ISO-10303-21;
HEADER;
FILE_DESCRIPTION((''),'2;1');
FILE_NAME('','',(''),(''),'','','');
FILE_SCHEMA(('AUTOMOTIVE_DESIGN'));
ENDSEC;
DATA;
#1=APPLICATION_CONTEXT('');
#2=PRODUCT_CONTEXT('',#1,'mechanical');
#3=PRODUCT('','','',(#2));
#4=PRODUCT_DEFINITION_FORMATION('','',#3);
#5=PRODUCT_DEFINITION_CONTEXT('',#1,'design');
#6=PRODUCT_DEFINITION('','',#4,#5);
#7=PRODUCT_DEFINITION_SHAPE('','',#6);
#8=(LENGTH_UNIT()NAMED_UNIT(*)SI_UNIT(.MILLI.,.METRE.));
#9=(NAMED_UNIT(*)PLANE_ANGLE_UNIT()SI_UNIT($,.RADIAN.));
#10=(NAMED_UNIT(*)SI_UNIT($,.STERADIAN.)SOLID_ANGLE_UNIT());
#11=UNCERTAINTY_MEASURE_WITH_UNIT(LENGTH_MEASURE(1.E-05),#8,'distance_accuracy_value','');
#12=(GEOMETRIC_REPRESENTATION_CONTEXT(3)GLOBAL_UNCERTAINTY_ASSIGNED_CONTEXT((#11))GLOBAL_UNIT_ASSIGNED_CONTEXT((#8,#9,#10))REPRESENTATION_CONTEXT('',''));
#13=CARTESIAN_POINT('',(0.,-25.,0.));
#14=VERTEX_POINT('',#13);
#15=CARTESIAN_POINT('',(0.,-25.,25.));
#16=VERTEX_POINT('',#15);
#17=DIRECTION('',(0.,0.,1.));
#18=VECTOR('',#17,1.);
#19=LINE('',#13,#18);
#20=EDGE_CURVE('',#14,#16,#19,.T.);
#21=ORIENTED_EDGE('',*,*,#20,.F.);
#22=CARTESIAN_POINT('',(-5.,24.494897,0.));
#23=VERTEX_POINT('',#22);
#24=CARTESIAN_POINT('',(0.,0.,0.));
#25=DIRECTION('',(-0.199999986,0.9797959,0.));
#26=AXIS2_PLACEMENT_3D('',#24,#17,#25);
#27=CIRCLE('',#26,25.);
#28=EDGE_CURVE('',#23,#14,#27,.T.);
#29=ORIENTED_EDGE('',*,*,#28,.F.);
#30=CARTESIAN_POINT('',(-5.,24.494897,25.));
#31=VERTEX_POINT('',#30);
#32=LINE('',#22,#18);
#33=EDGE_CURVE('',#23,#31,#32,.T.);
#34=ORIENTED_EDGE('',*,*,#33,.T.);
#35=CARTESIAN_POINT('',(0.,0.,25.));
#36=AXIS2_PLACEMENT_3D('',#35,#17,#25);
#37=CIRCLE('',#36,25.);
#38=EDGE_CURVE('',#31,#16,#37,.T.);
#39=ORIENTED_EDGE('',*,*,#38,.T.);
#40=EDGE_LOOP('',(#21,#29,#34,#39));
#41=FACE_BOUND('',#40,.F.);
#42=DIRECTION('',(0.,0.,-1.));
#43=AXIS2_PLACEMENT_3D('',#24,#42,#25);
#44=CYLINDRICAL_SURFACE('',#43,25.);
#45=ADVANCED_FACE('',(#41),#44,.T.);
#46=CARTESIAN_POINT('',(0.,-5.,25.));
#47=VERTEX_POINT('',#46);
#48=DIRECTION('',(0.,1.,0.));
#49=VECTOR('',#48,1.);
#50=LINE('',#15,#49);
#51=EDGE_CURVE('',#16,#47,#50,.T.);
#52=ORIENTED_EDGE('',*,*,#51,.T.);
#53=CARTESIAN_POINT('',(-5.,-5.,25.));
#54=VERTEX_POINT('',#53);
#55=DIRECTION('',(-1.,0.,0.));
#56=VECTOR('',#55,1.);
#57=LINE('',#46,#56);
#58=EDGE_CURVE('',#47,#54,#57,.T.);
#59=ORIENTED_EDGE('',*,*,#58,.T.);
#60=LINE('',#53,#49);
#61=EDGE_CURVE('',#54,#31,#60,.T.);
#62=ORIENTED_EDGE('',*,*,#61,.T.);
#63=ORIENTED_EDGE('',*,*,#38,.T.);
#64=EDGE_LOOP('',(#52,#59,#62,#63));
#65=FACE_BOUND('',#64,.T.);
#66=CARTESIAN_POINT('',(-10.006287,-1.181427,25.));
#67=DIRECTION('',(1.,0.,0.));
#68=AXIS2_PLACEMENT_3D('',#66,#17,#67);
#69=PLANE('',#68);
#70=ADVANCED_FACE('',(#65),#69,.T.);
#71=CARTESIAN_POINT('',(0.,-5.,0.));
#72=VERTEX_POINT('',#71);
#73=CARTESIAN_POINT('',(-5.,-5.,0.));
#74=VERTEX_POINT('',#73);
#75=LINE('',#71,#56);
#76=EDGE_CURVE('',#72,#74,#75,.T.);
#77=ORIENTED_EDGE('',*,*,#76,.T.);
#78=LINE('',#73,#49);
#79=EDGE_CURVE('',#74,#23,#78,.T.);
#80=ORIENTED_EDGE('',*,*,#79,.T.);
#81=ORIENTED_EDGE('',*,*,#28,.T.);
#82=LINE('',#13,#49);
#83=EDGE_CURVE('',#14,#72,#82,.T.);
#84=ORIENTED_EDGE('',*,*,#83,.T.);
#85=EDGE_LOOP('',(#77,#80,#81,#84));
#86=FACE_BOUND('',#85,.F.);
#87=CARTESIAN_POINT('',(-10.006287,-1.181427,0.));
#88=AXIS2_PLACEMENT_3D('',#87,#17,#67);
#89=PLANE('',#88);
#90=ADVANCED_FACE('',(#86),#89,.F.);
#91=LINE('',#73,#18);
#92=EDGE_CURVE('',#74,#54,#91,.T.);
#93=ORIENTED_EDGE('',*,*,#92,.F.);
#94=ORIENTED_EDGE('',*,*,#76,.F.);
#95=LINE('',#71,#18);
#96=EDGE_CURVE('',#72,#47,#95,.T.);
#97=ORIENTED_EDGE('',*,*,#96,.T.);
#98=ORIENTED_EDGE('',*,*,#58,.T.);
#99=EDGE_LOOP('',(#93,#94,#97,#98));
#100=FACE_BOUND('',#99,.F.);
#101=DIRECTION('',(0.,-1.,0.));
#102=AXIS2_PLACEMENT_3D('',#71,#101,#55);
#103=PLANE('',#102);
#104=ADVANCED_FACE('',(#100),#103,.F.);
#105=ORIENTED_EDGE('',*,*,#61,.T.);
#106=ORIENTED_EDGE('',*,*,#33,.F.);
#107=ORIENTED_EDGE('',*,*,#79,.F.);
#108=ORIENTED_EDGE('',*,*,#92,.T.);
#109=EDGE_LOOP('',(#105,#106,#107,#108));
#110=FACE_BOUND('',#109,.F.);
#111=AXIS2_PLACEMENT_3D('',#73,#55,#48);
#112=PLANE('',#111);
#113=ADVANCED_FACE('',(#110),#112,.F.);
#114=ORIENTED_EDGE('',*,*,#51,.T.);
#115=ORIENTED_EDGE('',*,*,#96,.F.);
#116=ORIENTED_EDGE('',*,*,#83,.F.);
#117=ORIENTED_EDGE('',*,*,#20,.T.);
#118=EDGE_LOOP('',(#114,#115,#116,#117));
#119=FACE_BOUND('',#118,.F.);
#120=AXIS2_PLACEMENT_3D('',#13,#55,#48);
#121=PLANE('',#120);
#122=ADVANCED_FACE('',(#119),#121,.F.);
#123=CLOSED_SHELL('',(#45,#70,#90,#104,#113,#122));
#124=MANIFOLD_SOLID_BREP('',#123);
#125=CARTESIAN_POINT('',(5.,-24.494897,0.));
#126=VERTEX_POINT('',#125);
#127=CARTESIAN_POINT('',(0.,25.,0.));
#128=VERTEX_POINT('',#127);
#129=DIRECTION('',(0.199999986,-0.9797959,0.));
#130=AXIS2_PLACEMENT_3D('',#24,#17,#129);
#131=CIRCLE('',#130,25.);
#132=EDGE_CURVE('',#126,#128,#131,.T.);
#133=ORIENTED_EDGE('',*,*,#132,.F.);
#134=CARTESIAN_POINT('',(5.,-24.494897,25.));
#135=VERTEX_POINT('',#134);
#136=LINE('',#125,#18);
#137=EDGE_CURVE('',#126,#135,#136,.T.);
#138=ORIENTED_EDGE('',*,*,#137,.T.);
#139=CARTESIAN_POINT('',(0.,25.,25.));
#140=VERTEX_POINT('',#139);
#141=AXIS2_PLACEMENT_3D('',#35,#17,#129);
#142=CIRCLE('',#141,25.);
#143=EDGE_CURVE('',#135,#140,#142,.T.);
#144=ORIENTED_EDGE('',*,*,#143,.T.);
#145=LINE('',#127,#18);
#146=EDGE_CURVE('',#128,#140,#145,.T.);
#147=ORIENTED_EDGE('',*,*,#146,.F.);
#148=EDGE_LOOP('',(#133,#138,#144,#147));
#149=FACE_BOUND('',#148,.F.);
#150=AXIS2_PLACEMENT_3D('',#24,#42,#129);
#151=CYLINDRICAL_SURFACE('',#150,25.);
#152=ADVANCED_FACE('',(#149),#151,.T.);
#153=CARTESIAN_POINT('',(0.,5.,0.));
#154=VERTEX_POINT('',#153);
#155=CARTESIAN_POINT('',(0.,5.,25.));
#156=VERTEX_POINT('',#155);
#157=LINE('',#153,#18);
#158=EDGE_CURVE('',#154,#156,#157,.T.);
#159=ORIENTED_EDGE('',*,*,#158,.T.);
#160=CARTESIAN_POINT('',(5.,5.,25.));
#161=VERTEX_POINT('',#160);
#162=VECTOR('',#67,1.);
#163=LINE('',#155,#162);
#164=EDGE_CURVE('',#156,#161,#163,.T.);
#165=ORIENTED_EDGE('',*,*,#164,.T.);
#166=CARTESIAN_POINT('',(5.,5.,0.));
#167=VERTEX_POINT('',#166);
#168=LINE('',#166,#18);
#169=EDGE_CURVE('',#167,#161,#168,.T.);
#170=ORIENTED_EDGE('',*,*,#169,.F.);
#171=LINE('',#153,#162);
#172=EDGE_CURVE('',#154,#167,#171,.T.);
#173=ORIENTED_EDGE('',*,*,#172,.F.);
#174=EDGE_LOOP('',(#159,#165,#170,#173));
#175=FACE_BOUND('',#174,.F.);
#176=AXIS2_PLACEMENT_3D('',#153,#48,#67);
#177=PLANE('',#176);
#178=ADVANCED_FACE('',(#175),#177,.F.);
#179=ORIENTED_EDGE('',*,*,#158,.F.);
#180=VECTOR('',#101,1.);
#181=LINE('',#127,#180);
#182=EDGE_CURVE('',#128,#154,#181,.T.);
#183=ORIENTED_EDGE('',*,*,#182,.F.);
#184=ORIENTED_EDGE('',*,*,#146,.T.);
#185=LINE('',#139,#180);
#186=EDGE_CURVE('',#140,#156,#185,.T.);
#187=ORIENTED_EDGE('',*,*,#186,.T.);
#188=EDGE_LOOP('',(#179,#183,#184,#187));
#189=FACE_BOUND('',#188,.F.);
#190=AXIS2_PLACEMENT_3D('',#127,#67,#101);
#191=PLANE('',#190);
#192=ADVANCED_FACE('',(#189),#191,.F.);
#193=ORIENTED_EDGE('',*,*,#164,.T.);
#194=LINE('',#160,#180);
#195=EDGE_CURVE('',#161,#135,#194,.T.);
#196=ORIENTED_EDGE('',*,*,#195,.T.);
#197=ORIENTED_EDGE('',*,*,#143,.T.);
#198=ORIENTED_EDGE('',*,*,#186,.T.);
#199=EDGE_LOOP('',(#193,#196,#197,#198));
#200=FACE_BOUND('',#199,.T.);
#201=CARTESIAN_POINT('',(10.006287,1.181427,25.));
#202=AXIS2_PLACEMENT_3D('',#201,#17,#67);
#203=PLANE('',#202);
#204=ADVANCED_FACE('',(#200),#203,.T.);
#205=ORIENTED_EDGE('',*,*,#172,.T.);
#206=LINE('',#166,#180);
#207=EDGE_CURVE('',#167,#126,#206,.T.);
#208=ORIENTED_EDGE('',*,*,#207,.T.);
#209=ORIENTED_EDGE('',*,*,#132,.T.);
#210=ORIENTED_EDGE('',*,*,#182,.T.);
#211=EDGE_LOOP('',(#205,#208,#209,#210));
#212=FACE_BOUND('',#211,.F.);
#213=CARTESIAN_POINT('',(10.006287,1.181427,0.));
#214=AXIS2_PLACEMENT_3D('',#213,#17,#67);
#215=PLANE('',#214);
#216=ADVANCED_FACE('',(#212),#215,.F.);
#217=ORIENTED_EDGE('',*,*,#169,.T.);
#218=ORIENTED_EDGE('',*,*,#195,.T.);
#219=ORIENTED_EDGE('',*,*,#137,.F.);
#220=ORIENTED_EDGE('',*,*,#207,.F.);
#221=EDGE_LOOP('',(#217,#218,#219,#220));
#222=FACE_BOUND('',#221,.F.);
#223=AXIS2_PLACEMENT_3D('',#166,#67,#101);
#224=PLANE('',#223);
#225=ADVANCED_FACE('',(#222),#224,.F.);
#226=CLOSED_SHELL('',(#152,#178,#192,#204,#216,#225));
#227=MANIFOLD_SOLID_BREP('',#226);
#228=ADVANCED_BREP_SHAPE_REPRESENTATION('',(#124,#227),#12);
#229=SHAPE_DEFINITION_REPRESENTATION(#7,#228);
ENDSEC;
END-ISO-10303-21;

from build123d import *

# Parameters (mm, degrees)
F1_DEPTH = 25


with BuildPart() as f1:
    # F0 (on Top) → F1 (new body)
    with BuildSketch(Plane.XY):
        with BuildLine():
            Line((-5, 5), (-5, 24.494897))
            ThreePointArc((-5, 24.494897), (-24.873404, -2.512724), (0, -25))
            Line((0, -25), (0, -5))
            Line((0, -5), (-5, -5))
            Line((-5, -5), (-5, 0))
            Line((-5, 0), (-5, 5))
        make_face()
        with BuildLine():
            Line((0, 25), (0, 5))
            Line((0, 5), (5, 5))
            Line((5, 5), (5, 0))
            Line((5, 0), (5, -5))
            Line((5, -5), (5, -24.494897))
            ThreePointArc((5, -24.494897), (24.873404, 2.512724), (0, 25))
        make_face()
    extrude(amount=F1_DEPTH)


solid = f1.part
